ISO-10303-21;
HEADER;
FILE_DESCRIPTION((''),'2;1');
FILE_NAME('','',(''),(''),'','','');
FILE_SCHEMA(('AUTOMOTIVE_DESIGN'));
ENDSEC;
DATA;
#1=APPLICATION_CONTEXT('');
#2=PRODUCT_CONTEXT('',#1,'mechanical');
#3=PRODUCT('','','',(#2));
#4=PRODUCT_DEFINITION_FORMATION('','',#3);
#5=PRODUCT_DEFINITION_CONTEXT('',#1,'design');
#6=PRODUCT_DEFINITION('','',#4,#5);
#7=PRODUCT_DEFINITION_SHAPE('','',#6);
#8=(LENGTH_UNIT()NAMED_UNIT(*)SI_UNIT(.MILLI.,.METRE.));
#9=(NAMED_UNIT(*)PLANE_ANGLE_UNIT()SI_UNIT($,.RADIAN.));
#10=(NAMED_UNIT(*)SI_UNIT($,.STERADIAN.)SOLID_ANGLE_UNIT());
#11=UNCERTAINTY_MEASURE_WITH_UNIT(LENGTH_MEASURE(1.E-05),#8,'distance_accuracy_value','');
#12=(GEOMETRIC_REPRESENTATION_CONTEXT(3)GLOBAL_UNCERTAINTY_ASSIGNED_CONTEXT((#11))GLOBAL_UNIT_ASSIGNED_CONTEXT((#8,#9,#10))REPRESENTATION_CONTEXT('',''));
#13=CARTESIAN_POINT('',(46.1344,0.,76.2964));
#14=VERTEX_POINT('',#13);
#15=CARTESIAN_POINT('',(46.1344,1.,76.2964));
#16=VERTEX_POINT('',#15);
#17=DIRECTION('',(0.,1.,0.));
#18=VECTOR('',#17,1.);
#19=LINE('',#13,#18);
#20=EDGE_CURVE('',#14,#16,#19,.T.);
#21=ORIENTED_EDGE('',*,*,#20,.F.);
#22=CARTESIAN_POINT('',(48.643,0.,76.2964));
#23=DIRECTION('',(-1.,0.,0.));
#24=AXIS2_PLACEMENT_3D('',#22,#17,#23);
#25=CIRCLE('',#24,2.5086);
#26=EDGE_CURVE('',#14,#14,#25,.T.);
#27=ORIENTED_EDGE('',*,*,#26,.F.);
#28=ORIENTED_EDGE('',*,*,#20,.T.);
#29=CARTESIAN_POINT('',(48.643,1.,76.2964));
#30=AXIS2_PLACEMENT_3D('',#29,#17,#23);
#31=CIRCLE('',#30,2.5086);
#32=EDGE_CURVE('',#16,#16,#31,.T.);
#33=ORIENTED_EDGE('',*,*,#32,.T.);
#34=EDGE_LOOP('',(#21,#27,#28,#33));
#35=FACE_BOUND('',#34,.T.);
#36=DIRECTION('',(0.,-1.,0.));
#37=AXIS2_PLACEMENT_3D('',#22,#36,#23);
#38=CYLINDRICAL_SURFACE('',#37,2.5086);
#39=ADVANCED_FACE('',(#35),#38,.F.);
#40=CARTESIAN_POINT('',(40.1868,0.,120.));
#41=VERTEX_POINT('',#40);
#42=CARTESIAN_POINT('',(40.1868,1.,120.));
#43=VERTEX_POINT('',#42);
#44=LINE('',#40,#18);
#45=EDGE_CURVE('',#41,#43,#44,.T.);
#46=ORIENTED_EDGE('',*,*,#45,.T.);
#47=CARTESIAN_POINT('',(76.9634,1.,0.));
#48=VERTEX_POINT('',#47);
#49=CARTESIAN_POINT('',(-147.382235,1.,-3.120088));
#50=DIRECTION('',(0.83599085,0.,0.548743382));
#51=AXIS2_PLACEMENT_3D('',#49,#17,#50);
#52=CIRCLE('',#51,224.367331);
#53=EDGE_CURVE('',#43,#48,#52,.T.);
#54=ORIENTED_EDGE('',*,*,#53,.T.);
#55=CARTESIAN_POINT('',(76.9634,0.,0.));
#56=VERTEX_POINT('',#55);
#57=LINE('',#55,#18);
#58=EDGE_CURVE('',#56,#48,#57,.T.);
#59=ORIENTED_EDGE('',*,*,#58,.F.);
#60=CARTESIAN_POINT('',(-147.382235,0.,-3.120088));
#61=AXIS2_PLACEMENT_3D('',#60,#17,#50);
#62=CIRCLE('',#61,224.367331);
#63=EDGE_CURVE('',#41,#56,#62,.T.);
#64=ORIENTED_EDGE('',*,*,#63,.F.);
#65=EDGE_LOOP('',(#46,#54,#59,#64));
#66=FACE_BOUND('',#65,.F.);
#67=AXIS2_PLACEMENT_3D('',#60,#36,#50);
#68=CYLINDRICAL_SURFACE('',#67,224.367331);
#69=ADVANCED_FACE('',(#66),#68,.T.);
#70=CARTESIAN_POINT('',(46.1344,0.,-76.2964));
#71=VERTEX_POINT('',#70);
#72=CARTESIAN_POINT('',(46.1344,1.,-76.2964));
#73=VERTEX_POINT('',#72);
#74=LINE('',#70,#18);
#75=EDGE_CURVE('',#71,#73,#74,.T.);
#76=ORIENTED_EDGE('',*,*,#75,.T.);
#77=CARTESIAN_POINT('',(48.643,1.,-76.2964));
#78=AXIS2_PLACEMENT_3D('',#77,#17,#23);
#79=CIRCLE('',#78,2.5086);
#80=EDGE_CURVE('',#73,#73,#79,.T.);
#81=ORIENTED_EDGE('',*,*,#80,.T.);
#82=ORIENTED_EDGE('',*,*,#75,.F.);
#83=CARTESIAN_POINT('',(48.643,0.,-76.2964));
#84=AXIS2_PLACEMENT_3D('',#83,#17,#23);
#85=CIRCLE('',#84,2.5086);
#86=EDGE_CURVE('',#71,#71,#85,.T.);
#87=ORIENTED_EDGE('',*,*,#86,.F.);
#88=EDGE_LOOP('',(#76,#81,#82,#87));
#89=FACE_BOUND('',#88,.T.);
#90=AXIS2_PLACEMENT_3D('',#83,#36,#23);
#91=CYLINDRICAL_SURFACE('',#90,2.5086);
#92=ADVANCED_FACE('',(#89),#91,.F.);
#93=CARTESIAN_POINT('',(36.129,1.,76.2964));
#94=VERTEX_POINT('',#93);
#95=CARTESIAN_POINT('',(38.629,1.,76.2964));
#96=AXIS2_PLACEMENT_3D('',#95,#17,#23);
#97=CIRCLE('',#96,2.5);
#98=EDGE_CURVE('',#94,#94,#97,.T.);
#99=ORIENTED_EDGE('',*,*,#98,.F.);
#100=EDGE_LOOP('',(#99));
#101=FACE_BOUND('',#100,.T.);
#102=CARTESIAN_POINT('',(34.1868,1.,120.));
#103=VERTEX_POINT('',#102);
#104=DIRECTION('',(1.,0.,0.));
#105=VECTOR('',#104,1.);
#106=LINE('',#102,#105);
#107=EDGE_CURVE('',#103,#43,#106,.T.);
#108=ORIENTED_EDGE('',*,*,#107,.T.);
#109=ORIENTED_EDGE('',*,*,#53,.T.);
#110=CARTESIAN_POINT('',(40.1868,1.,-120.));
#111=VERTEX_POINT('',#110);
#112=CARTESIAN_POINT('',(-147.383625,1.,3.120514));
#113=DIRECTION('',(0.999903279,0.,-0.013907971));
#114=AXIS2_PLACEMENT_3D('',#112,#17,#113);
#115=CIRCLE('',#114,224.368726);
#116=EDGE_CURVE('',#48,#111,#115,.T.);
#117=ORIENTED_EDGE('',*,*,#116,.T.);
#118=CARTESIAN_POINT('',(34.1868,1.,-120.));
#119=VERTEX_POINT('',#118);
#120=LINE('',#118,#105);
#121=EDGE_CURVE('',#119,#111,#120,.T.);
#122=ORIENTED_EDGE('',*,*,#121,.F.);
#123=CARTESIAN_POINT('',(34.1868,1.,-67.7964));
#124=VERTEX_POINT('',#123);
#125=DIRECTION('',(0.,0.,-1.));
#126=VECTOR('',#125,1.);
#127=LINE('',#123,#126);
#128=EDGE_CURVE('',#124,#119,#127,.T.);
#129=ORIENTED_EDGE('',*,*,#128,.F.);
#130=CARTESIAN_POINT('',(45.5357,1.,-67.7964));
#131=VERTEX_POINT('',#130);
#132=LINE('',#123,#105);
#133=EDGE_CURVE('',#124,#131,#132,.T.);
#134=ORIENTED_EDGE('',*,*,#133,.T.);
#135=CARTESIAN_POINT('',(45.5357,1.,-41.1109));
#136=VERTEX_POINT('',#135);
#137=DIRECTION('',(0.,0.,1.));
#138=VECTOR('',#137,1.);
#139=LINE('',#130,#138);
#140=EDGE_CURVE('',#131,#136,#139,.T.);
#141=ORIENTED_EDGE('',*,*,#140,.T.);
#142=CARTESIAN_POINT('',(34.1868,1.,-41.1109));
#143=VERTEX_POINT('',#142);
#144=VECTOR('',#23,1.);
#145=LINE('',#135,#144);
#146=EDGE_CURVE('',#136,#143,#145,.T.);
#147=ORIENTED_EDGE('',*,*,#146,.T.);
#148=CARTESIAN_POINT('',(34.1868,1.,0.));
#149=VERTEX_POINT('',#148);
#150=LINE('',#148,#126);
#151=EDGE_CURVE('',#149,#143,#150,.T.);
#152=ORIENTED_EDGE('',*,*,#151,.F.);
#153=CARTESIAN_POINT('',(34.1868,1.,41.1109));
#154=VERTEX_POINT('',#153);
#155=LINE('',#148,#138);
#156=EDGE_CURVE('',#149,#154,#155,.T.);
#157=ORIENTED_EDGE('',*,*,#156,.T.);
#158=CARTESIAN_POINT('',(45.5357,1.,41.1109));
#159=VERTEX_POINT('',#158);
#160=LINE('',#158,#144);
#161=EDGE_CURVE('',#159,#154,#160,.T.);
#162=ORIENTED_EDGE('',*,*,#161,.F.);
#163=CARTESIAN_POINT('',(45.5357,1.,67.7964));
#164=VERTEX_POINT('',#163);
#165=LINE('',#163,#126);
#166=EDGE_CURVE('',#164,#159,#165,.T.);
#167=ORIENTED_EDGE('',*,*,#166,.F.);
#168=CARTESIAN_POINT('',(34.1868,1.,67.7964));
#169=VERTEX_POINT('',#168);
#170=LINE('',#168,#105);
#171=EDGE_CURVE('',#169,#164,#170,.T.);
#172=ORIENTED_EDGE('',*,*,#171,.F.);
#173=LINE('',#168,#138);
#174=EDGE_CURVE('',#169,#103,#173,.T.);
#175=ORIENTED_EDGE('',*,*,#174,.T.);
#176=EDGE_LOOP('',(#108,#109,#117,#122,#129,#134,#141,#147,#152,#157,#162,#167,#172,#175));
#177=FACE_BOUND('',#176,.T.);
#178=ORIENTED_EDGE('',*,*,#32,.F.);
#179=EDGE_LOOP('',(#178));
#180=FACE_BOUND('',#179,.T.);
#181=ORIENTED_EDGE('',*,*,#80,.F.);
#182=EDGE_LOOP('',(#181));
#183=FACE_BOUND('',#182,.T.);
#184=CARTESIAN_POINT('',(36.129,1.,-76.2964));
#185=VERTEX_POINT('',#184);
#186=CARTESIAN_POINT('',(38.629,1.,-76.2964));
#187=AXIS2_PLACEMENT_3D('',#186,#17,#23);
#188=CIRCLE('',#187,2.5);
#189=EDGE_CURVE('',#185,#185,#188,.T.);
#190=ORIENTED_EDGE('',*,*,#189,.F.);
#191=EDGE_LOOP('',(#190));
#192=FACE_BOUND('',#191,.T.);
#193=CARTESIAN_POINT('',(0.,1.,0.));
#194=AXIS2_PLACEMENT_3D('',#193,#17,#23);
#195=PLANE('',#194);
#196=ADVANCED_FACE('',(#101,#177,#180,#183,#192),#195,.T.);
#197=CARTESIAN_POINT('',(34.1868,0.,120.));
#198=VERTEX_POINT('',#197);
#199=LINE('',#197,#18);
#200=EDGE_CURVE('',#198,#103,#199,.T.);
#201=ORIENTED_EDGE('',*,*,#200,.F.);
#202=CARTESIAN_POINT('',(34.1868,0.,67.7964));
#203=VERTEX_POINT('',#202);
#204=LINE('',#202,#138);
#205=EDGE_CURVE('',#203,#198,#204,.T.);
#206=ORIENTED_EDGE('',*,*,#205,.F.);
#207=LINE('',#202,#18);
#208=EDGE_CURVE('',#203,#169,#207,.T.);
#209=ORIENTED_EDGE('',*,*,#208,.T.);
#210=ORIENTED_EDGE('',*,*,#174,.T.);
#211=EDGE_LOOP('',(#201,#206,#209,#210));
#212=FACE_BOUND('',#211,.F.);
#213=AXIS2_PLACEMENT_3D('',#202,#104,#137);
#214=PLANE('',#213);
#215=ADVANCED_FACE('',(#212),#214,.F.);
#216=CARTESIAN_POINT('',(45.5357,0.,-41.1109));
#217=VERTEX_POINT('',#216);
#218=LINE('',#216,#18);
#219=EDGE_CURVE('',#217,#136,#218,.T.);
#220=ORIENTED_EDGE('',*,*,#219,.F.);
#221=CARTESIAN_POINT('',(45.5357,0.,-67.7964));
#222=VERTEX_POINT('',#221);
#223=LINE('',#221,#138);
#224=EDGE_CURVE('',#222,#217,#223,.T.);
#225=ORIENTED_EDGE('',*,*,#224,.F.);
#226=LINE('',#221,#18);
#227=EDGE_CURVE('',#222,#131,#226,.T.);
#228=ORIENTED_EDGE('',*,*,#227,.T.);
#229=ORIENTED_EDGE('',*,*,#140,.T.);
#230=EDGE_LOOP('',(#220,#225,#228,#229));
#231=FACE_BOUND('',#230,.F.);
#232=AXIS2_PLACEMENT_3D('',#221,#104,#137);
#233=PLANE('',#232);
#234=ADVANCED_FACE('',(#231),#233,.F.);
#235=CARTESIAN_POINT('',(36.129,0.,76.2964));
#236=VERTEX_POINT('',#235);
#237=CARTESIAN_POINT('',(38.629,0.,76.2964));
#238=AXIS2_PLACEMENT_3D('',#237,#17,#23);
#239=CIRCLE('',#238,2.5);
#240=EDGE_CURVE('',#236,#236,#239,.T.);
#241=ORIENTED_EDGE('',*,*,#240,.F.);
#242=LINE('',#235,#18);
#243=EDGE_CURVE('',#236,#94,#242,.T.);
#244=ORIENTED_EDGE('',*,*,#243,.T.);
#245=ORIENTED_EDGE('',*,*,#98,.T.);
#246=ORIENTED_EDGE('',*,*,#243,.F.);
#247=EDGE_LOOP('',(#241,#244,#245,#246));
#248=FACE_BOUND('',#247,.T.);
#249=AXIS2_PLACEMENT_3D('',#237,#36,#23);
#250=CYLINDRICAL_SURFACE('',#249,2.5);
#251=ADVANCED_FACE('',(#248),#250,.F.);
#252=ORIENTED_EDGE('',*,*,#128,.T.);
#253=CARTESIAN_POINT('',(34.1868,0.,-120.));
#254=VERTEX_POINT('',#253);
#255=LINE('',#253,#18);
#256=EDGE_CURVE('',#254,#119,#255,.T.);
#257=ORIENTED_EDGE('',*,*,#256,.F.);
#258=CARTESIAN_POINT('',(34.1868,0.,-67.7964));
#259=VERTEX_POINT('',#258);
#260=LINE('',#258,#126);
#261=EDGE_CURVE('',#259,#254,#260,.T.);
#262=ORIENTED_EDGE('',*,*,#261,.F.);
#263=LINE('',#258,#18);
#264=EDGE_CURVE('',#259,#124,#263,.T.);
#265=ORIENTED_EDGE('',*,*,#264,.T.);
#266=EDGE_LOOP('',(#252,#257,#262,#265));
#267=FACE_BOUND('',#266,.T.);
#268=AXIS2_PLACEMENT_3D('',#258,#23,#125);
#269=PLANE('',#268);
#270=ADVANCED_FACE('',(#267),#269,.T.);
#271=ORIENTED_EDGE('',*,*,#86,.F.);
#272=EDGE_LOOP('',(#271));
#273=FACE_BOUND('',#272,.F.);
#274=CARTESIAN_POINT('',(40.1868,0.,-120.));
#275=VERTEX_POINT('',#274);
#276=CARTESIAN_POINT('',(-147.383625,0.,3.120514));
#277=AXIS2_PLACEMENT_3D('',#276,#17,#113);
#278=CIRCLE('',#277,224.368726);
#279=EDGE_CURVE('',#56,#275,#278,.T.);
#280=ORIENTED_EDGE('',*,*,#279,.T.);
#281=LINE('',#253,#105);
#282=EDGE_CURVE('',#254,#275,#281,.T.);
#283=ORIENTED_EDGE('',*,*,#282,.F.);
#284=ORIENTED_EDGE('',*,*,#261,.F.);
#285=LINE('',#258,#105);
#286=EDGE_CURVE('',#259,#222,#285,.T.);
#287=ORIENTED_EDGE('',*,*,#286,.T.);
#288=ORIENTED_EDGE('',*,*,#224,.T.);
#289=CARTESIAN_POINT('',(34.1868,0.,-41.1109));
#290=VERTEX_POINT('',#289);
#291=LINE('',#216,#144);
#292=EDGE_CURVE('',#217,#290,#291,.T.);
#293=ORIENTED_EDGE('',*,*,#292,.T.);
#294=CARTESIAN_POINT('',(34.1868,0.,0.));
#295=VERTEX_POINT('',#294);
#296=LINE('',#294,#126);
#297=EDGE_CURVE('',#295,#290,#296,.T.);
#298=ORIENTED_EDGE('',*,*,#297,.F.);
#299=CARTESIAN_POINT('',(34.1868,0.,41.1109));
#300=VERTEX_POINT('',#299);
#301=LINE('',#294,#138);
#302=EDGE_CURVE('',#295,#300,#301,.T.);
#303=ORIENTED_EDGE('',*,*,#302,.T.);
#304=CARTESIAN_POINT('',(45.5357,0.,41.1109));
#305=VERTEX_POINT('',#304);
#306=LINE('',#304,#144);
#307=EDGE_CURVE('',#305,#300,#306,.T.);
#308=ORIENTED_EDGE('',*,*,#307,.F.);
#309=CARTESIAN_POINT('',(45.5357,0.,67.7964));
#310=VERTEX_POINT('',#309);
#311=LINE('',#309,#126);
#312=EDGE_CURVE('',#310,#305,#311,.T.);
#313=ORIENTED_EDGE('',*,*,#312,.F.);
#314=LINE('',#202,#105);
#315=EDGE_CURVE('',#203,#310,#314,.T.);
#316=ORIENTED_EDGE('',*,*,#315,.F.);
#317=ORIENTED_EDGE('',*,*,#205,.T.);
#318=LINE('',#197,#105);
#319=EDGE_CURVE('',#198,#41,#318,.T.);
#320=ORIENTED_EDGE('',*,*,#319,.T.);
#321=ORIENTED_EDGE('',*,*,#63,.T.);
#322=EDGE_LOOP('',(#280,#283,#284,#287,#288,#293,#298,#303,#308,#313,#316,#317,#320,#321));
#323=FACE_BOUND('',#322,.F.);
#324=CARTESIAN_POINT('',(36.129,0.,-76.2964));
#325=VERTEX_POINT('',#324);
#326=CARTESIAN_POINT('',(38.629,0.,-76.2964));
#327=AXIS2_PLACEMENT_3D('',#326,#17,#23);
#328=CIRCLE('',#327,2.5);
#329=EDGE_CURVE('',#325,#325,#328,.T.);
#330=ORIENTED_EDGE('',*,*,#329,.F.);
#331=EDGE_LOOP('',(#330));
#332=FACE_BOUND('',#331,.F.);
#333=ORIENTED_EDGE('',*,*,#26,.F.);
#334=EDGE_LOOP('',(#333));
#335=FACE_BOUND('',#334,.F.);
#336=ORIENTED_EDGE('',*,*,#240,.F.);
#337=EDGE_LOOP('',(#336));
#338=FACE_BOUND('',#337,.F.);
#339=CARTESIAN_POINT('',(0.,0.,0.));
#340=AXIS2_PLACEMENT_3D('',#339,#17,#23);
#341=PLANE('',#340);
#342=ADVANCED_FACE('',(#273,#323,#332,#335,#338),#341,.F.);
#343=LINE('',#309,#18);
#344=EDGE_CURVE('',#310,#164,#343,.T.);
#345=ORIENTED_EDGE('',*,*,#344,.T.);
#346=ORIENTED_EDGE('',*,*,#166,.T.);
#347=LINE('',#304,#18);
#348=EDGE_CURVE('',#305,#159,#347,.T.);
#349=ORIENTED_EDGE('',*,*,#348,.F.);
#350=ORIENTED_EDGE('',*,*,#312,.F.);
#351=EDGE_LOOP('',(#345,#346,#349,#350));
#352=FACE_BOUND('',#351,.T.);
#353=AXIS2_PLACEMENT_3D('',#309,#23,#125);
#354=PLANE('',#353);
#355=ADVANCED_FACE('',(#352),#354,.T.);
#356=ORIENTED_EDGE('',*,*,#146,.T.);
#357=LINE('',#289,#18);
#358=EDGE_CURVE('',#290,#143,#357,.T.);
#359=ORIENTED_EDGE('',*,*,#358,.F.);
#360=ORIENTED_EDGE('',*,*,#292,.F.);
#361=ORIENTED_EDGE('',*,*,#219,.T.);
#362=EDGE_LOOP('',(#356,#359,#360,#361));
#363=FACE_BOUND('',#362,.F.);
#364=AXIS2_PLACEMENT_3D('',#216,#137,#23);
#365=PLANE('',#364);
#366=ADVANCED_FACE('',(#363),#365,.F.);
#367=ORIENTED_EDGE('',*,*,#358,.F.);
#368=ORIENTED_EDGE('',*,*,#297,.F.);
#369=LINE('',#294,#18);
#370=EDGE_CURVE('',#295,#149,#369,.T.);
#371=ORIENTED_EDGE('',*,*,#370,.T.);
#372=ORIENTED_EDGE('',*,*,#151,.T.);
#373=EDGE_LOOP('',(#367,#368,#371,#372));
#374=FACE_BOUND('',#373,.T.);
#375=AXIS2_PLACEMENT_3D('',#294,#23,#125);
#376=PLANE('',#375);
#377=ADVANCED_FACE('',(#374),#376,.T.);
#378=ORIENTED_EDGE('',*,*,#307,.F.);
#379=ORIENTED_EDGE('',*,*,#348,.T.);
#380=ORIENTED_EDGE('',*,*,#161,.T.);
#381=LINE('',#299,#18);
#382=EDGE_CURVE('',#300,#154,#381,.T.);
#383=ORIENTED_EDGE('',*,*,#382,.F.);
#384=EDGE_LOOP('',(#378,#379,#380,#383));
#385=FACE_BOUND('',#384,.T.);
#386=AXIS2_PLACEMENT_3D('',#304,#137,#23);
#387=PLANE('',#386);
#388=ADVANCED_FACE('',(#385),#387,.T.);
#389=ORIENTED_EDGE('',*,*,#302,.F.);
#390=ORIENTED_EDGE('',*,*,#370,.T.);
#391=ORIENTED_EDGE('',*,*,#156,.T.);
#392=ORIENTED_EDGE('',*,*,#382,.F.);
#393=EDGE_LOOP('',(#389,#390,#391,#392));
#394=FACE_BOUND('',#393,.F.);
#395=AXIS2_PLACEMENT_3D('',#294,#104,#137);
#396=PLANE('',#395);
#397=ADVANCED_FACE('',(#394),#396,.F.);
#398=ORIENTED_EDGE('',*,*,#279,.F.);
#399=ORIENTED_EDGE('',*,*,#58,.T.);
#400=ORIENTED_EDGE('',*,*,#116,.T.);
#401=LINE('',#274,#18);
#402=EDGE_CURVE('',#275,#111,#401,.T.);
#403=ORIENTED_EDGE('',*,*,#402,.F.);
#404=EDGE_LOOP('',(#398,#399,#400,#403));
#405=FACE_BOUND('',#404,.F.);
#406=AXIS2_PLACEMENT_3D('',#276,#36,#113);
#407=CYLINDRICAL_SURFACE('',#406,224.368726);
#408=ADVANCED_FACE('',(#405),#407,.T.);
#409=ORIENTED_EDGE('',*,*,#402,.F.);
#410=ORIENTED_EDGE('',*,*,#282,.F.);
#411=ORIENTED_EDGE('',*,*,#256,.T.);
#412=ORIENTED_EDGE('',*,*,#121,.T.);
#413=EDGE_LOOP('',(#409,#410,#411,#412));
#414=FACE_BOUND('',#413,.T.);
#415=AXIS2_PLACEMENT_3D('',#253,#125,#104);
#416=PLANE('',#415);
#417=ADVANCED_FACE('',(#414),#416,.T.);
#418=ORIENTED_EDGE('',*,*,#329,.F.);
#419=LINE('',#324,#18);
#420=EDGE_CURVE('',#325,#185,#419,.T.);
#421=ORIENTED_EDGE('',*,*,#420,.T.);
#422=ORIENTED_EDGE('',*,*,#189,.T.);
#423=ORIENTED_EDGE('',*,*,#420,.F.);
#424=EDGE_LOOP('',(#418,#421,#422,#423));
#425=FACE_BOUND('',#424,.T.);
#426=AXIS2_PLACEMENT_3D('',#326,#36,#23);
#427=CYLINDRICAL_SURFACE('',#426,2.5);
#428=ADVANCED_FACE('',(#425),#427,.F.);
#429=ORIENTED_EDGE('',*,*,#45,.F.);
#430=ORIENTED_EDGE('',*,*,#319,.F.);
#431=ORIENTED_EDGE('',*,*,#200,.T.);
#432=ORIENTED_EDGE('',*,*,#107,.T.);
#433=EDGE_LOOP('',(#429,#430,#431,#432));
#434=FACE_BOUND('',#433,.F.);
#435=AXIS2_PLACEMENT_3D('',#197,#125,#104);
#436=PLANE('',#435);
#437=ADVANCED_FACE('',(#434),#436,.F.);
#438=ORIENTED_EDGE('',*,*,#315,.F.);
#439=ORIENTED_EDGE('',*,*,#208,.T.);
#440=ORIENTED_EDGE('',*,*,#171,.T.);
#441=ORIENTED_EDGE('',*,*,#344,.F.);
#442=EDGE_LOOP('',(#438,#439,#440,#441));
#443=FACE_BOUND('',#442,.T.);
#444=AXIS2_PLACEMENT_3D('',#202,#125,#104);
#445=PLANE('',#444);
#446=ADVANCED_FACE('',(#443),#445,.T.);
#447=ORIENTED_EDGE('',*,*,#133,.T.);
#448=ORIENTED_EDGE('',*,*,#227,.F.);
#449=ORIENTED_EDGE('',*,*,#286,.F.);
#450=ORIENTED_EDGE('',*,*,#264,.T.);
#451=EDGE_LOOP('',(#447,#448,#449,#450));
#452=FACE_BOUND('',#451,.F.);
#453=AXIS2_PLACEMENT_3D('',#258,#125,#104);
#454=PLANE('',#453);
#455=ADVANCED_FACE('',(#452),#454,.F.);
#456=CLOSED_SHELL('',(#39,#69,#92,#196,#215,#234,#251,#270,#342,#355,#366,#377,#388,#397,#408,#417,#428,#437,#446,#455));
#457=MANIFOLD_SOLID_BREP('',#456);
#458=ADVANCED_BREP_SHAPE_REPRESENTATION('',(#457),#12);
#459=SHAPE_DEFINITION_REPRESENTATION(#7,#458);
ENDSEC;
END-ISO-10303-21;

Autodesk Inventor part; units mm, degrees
ref_plane "YZ Plane" through (0, 0, 0) normal (1, 0, 0) x (0, 1, 0)
ref_plane "XZ Plane" through (0, 0, 0) normal (0, 1, 0) x (-1, 0, 0)
ref_plane "XY Plane" through (0, 0, 0) normal (0, 0, 1) x (1, 0, 0)
sketch "Esboço1" plane through (0, 0, 0) normal (0, 1, 0) x (-1, 0, 0)
  line L0 (-30.1128, 0) -> (-45.5357, 0)
  line L1 (-34.1868, -120) -> (-40.1868, -120)
  arc A0 (-76.9634, 0) -> (-40.1868, -120) centre (147.3829, 3.1204) ccw
  line L2 (-34.1868, -67.7964) -> (-45.5357, -67.7964)
  line L3 (-45.5357, -67.7964) -> (-45.5357, -41.1109)
  line L4 (-45.5357, -41.1109) -> (-34.1868, -41.1109)
  line L5 (-34.1868, 0) -> (-34.1868, -41.1109)
  line L6 (-34.1868, -67.7964) -> (-34.1868, -120)
  circle A1 centre (-38.629, -76.2964) radius 2.5
  circle A2 centre (-38.629, -76.2964) radius 2.5
  circle A3 centre (-48.643, -76.2964) radius 2.5086
  line L7 (-34.1868, 120) -> (-40.1868, 120)
  arc A4 (-40.1868, 120) -> (-76.9634, 0) centre (147.3829, -3.1204) ccw
  line L8 (-34.1868, 67.7964) -> (-45.5357, 67.7964)
  line L9 (-45.5357, 67.7964) -> (-45.5357, 41.1109)
  line L10 (-45.5357, 41.1109) -> (-34.1868, 41.1109)
  line L11 (-34.1868, 0) -> (-34.1868, 41.1109)
  line L12 (-34.1868, 67.7964) -> (-34.1868, 120)
  circle A5 centre (-38.629, 76.2964) radius 2.5
  circle A6 centre (-48.643, 76.2964) radius 2.5086
  point P0 (0, 0)
  point P1 (0, 0)
  dimension "d0" = 120
  dimension "d1" = 6
extrude "Extrusão1" add sketch "Esboço1" along normal blind 1
sketch "Esboço2" plane through (0, 0, 0) normal (0, 1, 0) x (-1, 0, 0)
  point P0 (0, 0)
sketch "Esboço3" plane through (0, 0, 0) normal (0, -1, 0) x (1, 0, 0)
  line L0 (45.5357, 41.1109) -> (45.5357, 67.7964) projected
  line L1 (45.5357, 41.1109) -> (45.5357, 52.7605)
  point P0 (0, 0)
properties part number "sensores1"
